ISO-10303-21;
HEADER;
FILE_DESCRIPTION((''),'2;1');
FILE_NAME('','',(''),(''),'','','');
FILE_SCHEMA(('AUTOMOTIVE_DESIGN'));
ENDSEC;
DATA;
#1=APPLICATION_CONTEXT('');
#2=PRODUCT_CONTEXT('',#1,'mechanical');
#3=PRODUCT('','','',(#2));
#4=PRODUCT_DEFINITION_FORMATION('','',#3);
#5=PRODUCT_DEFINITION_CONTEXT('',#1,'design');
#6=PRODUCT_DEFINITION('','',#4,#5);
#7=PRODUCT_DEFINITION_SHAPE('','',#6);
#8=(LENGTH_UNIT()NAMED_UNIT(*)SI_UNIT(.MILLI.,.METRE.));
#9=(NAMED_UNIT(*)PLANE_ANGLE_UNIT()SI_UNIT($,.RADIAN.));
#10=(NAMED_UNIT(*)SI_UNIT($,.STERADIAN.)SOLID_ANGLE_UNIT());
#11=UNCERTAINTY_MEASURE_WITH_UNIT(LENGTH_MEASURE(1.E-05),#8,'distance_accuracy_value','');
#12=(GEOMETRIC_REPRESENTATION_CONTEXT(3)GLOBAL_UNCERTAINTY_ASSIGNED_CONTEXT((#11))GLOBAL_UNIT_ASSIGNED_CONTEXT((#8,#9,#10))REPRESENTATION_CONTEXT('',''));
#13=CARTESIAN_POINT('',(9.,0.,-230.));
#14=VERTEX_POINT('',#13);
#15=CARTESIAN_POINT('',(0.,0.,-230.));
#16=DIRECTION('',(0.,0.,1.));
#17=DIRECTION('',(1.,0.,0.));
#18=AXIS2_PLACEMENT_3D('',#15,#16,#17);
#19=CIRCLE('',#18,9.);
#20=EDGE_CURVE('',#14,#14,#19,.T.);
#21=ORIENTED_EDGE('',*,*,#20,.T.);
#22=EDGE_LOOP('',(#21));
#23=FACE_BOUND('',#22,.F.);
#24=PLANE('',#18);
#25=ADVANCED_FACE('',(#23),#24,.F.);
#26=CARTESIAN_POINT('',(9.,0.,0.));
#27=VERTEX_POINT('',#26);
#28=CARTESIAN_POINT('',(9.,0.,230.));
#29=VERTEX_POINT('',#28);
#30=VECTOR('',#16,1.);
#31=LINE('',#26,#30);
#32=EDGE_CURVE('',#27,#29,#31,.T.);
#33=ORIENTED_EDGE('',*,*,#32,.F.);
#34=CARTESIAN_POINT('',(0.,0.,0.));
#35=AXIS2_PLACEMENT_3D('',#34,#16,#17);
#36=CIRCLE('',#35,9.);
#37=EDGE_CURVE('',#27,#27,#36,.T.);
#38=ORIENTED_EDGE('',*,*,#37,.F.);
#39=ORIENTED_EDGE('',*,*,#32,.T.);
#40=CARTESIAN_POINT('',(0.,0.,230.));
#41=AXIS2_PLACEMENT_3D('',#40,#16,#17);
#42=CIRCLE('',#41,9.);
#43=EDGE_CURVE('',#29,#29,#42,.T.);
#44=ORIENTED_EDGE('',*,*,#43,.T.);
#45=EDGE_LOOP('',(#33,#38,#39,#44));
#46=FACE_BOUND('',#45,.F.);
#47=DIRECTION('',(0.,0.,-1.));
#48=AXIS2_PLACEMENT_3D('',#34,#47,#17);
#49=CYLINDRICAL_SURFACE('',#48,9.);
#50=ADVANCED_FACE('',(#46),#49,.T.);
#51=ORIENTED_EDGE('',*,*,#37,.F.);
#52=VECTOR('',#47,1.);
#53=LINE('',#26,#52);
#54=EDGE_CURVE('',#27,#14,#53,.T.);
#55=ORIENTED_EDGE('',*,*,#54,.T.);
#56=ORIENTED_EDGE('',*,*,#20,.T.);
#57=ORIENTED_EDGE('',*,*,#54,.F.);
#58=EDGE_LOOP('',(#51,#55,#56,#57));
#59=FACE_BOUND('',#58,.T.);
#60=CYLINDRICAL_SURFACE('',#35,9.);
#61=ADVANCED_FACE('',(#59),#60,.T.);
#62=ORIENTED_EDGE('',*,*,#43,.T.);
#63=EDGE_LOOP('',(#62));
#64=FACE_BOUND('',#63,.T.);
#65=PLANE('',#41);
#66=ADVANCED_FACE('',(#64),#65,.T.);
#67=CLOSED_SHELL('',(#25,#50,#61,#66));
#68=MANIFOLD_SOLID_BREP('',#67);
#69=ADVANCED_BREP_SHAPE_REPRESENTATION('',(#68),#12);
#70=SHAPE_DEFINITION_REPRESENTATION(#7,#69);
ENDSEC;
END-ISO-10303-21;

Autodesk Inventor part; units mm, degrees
ref_plane "YZ Plane" through (0, 0, 0) normal (1, 0, 0) x (0, 1, 0)
ref_plane "XZ Plane" through (0, 0, 0) normal (0, 1, 0) x (-1, 0, 0)
ref_plane "XY Plane" through (0, 0, 0) normal (0, 0, 1) x (1, 0, 0)
sketch "Sketch1" plane through (0, 0, 0) normal (0, 0, 1) x (1, 0, 0)
  circle A0 centre (0, 0) radius 9
  dimension "d0" = 18
extrude "Extrusion1" add sketch "Sketch1" along normal mid plane 460
properties part number "CNC-Y-axs- sliding rod"
